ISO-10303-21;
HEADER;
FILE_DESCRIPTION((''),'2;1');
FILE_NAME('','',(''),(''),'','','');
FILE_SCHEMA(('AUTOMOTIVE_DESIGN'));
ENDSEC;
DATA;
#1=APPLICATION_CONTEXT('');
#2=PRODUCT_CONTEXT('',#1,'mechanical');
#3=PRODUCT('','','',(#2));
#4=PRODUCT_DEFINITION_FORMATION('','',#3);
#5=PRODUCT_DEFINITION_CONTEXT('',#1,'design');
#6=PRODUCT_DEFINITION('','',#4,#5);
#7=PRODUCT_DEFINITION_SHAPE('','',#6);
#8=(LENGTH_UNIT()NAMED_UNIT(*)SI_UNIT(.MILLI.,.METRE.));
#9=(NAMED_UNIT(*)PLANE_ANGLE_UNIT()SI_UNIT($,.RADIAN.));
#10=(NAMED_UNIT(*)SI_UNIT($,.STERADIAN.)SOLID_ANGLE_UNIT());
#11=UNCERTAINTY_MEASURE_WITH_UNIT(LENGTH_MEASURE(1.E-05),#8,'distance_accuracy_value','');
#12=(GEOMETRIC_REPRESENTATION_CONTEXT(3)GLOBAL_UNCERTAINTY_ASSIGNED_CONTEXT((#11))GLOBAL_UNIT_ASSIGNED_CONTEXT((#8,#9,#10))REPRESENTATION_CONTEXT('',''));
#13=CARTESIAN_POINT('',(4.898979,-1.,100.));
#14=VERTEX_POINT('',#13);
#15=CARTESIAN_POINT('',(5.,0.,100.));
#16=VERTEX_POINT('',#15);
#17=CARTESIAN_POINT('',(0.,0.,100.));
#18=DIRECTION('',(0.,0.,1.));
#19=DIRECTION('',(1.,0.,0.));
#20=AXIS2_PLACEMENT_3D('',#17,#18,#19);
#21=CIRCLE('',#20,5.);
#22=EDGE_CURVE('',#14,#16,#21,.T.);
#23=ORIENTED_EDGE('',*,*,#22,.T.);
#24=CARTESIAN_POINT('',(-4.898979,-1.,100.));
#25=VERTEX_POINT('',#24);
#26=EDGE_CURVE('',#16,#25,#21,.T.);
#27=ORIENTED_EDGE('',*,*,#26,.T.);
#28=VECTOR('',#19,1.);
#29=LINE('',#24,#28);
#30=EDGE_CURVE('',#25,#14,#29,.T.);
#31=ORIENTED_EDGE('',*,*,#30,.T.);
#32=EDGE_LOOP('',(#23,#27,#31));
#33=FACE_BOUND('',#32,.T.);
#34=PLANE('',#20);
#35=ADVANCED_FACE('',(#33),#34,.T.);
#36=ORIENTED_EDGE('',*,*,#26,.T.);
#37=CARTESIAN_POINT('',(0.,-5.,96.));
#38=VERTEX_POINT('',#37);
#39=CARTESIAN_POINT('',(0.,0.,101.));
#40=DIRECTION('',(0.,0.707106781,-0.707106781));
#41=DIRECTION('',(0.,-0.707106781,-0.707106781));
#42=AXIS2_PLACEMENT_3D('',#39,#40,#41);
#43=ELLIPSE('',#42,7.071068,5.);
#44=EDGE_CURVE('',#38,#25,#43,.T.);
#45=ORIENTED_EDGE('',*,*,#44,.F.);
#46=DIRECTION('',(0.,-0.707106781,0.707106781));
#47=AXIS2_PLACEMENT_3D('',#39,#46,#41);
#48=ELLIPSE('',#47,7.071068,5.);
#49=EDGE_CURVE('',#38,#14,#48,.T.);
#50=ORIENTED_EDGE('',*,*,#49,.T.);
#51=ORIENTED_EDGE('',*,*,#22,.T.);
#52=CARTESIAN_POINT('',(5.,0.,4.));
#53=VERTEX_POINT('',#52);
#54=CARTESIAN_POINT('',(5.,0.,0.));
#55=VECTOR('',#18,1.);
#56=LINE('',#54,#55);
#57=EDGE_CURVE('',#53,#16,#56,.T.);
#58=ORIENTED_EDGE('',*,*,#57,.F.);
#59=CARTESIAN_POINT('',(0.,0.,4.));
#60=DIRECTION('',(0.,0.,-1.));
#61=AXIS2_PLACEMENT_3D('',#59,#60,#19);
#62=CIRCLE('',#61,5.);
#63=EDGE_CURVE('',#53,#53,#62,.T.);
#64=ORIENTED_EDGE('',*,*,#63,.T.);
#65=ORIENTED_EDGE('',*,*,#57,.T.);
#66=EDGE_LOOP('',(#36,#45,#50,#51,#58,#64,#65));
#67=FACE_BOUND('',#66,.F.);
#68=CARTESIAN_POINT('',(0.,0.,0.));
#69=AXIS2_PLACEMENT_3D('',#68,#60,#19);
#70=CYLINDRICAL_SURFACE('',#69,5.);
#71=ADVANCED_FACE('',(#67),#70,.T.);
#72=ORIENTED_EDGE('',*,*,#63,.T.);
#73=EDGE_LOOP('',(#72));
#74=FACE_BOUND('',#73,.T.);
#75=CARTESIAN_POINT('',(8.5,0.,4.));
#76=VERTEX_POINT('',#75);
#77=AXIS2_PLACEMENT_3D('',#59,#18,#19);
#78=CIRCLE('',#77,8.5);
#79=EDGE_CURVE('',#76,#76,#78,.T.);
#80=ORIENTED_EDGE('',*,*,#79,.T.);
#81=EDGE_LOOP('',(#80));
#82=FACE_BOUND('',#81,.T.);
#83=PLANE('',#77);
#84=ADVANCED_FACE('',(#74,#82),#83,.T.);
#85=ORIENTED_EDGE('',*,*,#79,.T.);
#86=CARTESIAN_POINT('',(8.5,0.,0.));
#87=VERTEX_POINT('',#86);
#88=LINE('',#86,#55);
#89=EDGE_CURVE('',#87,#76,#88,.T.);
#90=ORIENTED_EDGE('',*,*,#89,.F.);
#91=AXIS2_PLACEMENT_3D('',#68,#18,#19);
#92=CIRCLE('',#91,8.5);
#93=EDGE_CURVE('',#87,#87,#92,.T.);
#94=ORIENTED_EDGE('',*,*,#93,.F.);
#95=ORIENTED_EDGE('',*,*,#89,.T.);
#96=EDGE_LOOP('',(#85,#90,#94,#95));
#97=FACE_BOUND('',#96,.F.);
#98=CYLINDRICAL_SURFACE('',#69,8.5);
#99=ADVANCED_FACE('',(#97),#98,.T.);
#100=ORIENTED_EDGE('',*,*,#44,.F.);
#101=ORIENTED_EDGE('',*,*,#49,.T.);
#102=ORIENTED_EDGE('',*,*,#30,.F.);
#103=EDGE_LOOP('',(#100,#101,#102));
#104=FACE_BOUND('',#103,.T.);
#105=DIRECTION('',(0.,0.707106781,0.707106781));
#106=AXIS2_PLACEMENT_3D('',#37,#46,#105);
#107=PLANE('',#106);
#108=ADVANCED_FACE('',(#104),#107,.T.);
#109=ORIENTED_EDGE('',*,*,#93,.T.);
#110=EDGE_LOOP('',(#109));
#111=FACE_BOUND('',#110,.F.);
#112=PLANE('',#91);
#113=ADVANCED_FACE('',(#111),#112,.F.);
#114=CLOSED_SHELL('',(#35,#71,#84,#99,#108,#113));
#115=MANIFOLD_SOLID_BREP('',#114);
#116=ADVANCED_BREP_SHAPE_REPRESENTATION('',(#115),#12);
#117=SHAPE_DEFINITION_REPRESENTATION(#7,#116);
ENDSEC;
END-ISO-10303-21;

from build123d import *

# Parameters (mm, degrees)
F0_R          = 8.5
F1_DEPTH      = 4
F2_R          = 5
F3_DEPTH      = 100
F5_DEPTH      = 25
F5_DEPTH_BACK = 25


with BuildPart() as f1:
    # F0 (on Top) → F1 (new body)
    with BuildSketch(Plane.XY):
        Circle(F0_R)
    extrude(amount=F1_DEPTH)

    # F2 (on Top) → F3 (join)
    with BuildSketch(Plane.XY):
        Circle(F2_R)
    extrude(amount=F3_DEPTH)

    # F4 (on Right) → F5 (cut, two sides)
    with BuildSketch(Plane.YZ) as f5_sk:
        Polygon((0, 101), (-5, 101), (-5, 96), align=None)
    extrude(amount=F5_DEPTH, mode=Mode.SUBTRACT)
    extrude(f5_sk.sketch, amount=-F5_DEPTH_BACK, mode=Mode.SUBTRACT)


solid = f1.part
